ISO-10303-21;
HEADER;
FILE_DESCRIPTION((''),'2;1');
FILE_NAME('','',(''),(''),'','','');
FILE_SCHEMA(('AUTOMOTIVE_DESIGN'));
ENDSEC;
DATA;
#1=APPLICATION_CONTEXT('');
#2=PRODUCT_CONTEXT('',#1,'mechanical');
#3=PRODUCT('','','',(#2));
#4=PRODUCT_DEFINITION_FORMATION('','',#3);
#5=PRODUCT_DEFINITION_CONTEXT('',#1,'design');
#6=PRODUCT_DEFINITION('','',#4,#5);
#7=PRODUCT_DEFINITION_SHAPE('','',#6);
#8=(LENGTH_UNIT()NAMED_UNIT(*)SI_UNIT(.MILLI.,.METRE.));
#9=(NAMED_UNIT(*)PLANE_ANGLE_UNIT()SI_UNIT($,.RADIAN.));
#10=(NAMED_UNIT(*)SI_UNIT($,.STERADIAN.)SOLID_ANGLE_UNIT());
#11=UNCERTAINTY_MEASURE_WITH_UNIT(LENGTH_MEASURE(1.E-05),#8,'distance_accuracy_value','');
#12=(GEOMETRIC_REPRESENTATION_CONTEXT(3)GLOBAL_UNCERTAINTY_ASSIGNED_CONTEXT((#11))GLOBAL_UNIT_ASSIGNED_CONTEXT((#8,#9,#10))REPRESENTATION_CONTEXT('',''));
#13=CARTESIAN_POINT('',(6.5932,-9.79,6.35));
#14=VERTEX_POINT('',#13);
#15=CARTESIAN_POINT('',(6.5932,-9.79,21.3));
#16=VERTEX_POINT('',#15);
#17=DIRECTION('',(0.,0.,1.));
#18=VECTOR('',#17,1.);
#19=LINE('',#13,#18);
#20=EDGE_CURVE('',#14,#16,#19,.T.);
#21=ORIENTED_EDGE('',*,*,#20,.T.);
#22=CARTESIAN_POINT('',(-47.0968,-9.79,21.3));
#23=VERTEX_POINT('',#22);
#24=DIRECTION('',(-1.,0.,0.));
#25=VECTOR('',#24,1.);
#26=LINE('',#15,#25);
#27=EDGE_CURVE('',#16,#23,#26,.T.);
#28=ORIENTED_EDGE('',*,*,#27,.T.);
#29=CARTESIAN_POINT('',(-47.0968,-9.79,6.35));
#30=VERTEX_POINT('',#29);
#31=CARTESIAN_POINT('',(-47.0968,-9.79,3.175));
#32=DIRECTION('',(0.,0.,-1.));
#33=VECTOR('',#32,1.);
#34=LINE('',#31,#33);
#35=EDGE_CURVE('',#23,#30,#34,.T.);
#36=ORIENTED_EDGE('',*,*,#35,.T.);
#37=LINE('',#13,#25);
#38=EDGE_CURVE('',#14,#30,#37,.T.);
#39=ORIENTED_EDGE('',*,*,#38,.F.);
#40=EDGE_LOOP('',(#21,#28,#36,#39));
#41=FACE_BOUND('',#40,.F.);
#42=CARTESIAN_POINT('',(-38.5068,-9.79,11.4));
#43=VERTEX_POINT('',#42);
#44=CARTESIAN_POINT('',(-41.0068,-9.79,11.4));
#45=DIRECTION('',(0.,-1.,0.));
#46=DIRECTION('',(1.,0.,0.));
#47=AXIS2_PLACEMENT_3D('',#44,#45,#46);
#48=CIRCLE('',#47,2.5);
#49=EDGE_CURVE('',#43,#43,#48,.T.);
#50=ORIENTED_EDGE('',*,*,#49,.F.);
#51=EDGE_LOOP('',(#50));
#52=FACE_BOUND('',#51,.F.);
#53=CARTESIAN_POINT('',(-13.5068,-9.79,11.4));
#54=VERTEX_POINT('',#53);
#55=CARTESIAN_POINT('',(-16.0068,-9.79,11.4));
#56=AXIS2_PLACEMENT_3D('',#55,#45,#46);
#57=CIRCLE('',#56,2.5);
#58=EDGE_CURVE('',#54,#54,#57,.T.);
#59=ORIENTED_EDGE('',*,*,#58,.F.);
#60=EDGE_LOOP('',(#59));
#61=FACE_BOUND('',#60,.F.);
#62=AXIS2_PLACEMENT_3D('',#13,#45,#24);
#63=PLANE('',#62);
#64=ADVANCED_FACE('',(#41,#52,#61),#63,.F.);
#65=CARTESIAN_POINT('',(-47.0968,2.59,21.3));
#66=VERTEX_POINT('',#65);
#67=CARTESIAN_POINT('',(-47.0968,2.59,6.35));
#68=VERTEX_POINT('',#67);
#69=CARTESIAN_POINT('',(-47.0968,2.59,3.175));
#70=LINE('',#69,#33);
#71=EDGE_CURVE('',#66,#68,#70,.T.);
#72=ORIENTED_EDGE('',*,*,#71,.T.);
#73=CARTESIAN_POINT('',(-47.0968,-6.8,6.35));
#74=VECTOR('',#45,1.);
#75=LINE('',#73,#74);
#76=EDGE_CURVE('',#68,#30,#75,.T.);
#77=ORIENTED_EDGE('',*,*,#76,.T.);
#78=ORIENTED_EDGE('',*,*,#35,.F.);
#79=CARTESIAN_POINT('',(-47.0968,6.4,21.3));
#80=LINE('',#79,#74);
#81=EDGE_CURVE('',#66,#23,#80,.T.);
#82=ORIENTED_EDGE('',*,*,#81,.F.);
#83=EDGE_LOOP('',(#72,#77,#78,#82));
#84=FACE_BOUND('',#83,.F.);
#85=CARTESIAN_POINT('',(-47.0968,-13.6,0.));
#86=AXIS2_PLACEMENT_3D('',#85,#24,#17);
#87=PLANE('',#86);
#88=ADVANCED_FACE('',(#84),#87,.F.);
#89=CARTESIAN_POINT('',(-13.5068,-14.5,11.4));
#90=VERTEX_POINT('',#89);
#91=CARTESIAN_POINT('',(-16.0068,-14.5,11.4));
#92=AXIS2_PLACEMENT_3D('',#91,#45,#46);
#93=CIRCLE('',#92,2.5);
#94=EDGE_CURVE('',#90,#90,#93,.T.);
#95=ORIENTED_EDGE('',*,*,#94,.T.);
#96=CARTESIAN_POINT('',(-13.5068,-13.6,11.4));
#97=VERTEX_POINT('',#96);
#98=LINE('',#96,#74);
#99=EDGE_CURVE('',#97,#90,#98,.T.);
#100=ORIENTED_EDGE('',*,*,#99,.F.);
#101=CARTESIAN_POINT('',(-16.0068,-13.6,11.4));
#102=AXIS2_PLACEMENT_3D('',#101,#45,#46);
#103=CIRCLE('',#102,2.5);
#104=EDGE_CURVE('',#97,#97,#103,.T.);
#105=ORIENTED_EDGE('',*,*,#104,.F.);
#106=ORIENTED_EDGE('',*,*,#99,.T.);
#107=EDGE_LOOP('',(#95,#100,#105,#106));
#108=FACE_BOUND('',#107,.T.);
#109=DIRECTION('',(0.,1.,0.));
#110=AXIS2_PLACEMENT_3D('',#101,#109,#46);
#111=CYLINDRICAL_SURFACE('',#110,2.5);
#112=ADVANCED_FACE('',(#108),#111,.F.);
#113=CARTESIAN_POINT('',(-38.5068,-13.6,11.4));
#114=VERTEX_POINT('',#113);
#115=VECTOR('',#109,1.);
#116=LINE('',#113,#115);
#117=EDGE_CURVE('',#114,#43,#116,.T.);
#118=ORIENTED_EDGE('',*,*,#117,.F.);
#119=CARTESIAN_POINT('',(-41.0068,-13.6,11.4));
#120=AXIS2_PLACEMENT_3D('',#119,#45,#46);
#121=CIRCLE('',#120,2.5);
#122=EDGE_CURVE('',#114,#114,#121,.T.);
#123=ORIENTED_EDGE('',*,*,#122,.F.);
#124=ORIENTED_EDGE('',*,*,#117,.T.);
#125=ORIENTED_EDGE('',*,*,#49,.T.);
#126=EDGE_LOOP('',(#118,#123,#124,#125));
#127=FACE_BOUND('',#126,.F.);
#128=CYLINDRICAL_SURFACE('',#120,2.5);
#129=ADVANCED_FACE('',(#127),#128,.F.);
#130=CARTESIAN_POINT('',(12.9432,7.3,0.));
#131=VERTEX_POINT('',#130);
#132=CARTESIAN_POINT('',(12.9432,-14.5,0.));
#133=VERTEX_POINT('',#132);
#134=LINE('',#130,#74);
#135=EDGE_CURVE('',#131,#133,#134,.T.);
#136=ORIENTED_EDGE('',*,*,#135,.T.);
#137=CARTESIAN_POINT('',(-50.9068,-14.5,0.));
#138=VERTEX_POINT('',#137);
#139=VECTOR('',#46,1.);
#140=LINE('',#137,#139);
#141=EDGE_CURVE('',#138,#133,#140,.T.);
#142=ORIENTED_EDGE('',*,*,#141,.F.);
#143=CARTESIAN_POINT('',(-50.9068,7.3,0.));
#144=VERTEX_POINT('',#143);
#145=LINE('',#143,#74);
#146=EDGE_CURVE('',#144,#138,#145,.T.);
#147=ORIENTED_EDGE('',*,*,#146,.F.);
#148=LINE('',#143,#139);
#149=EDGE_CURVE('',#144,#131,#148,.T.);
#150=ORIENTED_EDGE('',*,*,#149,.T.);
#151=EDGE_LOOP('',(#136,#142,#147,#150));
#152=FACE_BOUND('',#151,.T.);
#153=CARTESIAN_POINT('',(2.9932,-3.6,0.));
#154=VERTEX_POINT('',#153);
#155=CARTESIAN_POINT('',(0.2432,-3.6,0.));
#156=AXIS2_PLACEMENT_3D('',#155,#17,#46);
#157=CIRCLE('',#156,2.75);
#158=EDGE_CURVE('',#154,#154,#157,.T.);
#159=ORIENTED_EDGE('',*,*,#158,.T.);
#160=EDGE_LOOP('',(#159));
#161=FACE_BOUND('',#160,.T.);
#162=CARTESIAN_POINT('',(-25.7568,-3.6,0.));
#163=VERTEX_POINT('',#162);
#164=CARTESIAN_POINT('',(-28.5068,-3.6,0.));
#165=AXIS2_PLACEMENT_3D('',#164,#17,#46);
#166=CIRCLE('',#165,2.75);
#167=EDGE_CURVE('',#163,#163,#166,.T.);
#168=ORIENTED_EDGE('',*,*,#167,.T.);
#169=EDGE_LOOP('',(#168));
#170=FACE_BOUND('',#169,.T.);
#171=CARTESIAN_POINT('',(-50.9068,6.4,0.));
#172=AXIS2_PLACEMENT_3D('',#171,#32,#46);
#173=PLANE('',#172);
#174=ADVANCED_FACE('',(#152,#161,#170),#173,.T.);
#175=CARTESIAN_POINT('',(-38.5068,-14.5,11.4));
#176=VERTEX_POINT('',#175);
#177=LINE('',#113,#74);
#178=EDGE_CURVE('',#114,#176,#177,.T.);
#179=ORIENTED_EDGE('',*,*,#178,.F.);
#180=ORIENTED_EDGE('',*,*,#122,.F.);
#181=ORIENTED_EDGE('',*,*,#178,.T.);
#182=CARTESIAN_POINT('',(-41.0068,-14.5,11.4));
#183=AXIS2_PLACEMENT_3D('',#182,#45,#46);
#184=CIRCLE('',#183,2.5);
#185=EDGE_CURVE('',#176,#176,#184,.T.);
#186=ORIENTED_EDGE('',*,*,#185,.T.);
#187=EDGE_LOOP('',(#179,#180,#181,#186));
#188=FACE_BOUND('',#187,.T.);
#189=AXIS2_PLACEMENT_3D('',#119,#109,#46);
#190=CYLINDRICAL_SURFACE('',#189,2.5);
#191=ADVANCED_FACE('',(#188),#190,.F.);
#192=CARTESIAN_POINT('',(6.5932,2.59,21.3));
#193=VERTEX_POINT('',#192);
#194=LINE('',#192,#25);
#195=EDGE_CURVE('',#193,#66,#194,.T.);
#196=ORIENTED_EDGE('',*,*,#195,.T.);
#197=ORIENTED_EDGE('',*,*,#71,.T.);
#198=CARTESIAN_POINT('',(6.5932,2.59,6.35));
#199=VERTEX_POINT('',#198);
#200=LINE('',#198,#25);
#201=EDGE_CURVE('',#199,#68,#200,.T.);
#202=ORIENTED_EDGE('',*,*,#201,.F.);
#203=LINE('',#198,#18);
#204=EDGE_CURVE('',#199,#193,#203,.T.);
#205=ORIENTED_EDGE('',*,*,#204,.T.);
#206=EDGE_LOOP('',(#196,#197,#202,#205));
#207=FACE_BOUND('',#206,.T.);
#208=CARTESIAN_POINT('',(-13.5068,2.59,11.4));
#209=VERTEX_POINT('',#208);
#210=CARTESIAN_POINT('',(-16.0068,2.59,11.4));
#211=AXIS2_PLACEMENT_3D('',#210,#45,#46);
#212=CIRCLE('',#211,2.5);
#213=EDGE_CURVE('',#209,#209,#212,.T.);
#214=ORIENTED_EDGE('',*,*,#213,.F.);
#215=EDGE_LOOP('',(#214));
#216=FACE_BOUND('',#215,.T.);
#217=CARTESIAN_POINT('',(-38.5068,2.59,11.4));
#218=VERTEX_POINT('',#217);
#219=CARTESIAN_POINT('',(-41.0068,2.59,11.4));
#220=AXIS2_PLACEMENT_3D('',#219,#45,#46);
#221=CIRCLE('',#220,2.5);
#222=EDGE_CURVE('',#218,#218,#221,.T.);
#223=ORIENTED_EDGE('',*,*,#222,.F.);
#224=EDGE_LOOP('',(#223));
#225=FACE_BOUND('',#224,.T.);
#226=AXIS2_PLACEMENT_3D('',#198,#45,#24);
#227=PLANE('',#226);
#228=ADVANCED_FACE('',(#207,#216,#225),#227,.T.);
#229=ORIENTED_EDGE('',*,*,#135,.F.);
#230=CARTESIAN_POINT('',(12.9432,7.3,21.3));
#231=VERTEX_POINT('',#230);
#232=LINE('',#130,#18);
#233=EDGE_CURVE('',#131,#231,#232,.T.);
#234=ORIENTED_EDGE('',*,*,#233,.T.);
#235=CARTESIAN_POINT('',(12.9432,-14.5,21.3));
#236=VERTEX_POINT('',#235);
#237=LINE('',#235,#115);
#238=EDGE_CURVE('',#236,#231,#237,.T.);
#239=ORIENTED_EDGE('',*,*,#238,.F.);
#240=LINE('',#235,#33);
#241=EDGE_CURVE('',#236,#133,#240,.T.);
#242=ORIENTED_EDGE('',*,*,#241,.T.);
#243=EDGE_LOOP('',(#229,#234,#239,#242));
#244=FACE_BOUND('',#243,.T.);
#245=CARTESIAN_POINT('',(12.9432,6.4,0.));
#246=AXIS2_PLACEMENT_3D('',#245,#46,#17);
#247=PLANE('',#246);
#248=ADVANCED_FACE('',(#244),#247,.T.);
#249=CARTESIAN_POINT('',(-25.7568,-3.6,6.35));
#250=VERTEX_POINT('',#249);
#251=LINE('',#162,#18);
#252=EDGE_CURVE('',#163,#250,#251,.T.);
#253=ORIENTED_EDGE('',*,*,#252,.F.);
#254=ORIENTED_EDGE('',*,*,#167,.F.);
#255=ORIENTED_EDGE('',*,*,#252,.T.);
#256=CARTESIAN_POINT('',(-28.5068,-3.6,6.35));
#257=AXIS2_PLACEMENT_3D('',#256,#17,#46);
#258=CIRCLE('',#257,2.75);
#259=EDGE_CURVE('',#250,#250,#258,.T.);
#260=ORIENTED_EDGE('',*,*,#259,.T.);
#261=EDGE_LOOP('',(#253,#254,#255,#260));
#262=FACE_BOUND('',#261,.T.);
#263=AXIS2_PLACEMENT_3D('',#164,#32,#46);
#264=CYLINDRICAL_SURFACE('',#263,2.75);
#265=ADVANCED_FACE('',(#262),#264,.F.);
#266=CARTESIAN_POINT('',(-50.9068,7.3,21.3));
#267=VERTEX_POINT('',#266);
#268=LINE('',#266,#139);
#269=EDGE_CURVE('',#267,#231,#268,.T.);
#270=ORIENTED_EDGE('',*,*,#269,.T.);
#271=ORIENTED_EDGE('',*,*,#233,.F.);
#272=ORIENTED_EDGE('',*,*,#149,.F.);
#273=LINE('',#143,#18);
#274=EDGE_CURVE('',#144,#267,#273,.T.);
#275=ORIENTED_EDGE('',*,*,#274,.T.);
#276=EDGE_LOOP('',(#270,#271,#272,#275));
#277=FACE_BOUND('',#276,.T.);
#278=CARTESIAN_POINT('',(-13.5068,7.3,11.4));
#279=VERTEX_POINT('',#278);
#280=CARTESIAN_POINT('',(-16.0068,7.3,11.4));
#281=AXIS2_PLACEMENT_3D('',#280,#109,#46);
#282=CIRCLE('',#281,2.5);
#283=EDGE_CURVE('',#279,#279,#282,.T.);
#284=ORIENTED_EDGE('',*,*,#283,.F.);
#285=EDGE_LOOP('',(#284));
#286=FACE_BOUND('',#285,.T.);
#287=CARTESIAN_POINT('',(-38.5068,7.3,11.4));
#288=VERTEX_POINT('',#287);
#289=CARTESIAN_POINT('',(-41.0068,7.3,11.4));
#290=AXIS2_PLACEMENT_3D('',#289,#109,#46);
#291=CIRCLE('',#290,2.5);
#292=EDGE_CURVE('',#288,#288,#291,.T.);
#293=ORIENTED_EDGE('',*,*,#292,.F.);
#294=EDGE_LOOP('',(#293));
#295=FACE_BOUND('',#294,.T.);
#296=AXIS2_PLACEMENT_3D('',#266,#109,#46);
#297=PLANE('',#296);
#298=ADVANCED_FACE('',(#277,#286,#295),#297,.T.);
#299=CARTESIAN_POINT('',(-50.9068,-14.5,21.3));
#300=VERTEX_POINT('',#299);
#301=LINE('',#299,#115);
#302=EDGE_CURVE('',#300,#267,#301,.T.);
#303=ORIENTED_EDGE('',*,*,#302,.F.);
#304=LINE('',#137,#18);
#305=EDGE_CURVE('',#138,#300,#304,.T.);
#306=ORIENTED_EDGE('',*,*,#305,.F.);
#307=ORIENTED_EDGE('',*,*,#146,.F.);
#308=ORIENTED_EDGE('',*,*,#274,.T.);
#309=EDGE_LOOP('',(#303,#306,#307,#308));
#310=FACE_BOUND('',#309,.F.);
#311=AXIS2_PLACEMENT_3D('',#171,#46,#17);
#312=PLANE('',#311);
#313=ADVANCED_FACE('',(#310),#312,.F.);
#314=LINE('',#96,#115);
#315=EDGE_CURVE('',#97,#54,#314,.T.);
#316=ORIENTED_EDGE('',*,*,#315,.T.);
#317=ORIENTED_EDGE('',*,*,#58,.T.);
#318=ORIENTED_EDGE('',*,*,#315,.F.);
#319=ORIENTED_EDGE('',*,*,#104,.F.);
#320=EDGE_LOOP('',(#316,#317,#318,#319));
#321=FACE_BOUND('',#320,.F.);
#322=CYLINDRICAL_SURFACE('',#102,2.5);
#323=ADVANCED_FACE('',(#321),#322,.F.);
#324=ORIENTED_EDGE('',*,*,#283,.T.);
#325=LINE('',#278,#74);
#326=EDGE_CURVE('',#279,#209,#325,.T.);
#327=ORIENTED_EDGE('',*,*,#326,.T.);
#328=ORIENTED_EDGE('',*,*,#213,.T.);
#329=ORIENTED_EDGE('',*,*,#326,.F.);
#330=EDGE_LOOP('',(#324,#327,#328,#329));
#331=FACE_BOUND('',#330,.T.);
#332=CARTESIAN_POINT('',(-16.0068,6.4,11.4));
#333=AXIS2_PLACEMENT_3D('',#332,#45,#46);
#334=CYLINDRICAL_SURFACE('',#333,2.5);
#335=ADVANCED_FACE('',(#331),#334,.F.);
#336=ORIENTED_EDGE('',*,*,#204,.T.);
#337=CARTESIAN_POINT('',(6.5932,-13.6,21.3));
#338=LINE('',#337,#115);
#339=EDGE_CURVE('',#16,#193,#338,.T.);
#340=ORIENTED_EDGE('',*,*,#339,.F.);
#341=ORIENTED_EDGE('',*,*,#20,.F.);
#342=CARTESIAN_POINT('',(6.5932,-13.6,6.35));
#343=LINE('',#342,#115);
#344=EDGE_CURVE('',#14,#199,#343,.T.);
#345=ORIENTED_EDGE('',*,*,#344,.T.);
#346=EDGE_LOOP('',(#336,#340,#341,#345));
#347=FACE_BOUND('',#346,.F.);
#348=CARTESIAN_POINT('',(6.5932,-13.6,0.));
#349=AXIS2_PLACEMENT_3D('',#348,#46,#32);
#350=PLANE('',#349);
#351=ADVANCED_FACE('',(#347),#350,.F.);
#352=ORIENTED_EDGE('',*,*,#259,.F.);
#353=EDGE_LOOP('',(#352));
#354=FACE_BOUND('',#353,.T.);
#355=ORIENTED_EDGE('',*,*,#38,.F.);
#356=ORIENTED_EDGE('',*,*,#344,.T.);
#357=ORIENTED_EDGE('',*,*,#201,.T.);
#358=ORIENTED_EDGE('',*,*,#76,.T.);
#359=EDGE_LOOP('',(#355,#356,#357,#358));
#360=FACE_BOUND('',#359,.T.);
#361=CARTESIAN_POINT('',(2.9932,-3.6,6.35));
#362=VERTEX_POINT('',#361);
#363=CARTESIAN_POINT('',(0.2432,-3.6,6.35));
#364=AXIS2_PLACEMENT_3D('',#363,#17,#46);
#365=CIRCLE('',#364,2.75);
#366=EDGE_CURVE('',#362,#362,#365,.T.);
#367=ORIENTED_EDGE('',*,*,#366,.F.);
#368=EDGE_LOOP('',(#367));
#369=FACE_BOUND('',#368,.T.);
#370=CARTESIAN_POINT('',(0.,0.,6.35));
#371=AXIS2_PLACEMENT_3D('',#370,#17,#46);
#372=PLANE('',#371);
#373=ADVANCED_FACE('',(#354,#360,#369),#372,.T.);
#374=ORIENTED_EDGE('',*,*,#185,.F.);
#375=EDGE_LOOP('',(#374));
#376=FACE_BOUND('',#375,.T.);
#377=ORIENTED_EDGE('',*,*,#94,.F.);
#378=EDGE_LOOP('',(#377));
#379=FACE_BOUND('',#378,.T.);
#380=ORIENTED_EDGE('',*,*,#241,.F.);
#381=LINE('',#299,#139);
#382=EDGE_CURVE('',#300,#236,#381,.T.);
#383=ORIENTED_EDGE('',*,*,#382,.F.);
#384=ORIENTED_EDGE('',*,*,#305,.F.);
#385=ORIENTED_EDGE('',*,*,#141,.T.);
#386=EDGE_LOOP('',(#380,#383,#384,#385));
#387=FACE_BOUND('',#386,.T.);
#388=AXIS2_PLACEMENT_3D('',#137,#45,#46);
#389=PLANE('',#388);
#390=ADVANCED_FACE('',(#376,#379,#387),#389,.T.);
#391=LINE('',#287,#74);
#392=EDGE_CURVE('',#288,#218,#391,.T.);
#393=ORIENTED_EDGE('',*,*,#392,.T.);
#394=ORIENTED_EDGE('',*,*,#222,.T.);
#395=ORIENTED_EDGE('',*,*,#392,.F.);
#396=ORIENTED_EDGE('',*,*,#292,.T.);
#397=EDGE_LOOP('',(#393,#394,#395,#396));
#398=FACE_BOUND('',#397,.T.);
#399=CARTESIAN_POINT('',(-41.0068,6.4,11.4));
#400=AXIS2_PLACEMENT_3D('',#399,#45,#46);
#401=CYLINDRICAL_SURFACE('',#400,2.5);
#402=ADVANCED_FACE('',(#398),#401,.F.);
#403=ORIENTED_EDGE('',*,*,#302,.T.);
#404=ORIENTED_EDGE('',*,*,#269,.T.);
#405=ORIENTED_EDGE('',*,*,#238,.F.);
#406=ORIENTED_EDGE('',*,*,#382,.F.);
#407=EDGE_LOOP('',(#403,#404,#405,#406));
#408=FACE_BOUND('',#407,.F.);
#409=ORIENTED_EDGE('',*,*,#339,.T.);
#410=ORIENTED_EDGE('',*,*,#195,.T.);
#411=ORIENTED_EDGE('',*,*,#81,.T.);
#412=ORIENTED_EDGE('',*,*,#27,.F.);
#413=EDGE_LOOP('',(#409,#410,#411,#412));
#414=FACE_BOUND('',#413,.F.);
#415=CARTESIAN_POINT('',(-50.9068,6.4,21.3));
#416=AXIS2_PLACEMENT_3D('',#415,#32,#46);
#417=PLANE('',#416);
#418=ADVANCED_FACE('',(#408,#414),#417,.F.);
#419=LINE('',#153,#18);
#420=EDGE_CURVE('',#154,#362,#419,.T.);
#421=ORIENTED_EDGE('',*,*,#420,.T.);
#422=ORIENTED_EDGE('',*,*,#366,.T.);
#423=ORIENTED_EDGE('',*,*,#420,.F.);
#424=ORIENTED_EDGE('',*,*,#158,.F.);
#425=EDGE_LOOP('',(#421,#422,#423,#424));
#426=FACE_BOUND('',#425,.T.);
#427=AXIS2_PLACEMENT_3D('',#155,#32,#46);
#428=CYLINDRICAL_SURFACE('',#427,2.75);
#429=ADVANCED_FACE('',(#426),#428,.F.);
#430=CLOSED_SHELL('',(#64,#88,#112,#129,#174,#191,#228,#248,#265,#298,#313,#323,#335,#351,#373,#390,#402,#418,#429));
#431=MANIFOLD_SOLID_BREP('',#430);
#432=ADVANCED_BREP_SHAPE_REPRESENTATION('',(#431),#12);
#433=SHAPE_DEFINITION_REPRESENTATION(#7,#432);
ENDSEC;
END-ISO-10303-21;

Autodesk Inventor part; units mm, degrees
ref_plane "YZ Plane" through (0, 0, 0) normal (1, 0, 0) x (0, 1, 0)
ref_plane "XZ Plane" through (0, 0, 0) normal (0, 1, 0) x (-1, 0, 0)
sketch "Sketch1" plane through (0, 0, 0) normal (0, 0, 1) x (1, 0, 0)
  line L0 (0, -12.35) -> (-250, -12.35) projected
  line L1 (0, -12.35) -> (0, -7.2) projected
  line L2 (0, -7.2) -> (-250, -7.2) projected
  line L3 (-250, -12.35) -> (-250, -7.2) projected
  line L4 (-250, 5.15) -> (0, 5.15) projected
  line L5 (-250, 0) -> (-250, 5.15) projected
  line L6 (0, 0) -> (-250, 0) projected
  line L7 (0, 0) -> (0, 5.15) projected
  line L8 (0, 6.4) -> (-250, 6.4) projected
  line L9 (-250, -13.6) -> (0, -13.6) projected
  line L10 (-159.051, -15.85) -> (90.949, -15.85) projected
  line L11 (-159.051, -21) -> (-159.051, -15.85) projected
  line L12 (90.949, -21) -> (-159.051, -21) projected
  line L13 (90.949, -21) -> (90.949, -15.85) projected
  line L14 (90.949, 8.65) -> (-159.051, 8.65) projected
  line L15 (90.949, 13.8) -> (90.949, 8.65) projected
  line L16 (-159.051, 13.8) -> (90.949, 13.8) projected
  line L17 (-159.051, 13.8) -> (-159.051, 8.65) projected
  line L18 (-159.051, 7.4) -> (90.949, 7.4) projected
  line L19 (90.949, -14.6) -> (-159.051, -14.6) projected
  line L20 (-159.051, -34.6) -> (90.949, -34.6) projected
  line L21 (90.949, 27.4) -> (-159.051, 27.4) projected
  line L22 (-50.9068, -42.05) -> (-6.1068, -42.05) projected
  line L23 (-6.1068, -42.05) -> (-6.1068, -35.7) projected
  line L24 (-50.9068, -35.7) -> (-6.1068, -35.7) projected
  line L25 (-50.9068, -42.05) -> (-50.9068, -35.7) projected
  line L26 (-50.9068, 28.5) -> (-6.1068, 28.5) projected
  line L27 (-6.1068, 28.5) -> (-6.1068, 34.85) projected
  line L28 (-50.9068, 34.85) -> (-6.1068, 34.85) projected
  line L29 (-50.9068, 28.5) -> (-50.9068, 34.85) projected
  line L30 (-50.9068, -42.05) -> (-50.9068, 34.85) construction
  line L31 (-6.1068, -42.05) -> (-6.1068, 34.85) construction
  line L32 (-50.9068, -13.6) -> (-6.1068, -13.6)
  line L33 (-6.1068, 6.4) -> (-50.9068, 6.4)
  line L34 (-50.9068, 6.4) -> (-50.9068, -13.6)
  line L35 (-6.1068, -13.6) -> (6.5932, -13.6)
  line L36 (6.5932, -13.6) -> (6.5932, 6.4)
  line L37 (6.5932, 6.4) -> (-6.1068, 6.4)
  line L38 (-28.5068, -35.7) -> (-28.5068, 28.5) construction
  line L39 (6.5932, -13.6) -> (-6.1068, 6.4) construction
  circle A0 centre (0.2432, -3.6) radius 2.75
  circle A1 centre (-28.5068, -3.6) radius 2.75
  line L40 (6.5932, 6.4) -> (-50.9068, 6.4)
  line L41 (-50.9068, 6.4) -> (-50.9068, -13.6)
  line L42 (-50.9068, -13.6) -> (6.5932, -13.6)
  line L43 (6.5932, -13.6) -> (6.5932, 6.4)
  dimension "d0" = 12.7
  dimension "d1" = 5.5
extrude "Extrusion1" add sketch "Sketch1" along normal blind 6.35 contours L1 L2 L34 L6 L7 L4 L8 L37 L36 L35 L9 L0 | L0 L34 L2 L1 | L34 L4 L7 L6
sketch "Sketch2" plane through (0, 0, 6.35) normal (0, 0, 1) x (1, 0, 0)
  line L0 (-50.9068, -13.6) -> (6.5932, -13.6) projected
  line L1 (6.5932, -13.6) -> (6.5932, 6.4) projected
  line L2 (-50.9068, -13.6) -> (6.5932, -13.6)
  line L3 (6.5932, -13.6) -> (6.5932, -9.79)
  line L4 (6.5932, -9.79) -> (-50.9068, -9.79)
  line L5 (-50.9068, -9.79) -> (-50.9068, -13.6)
  line L6 (6.5932, 6.4) -> (-50.9068, 6.4) projected
  line L7 (-50.9068, 6.4) -> (6.5932, 6.4)
  line L8 (6.5932, 6.4) -> (6.5932, 2.59)
  line L9 (6.5932, 2.59) -> (-50.9068, 2.59)
  line L10 (-50.9068, 2.59) -> (-50.9068, 6.4)
  point P0 (0, 0)
  dimension "d4" = 3.81
ref_plane "Work Plane1" through (-50.9068, 28.5, 21.3) normal (0, 0, 1) x (1, 0, 0)
extrude "Extrusion2" add sketch "Sketch2" along normal up to surface (14.95 mm away)
sketch "Sketch3" plane through (6.5932, -13.6, 0) normal (1, 0, 0) x (0, 0, -1)
  line L0 (-21.3, 16.19) -> (-21.3, 20) projected
  line L1 (0, 0) -> (-21.3, 0)
  line L2 (-21.3, 0) -> (-21.3, 20)
  line L3 (-21.3, 20) -> (0, 20)
  line L4 (0, 20) -> (0, 0)
  point P0 (0, 13.6)
extrude "Extrusion3" add sketch "Sketch3" along normal blind 6.35
sketch "Sketch5" plane through (-50.9068, -13.6, 0) normal (-1, 0, 0) x (0, 0, 1)
  line L0 (21.3, 0) -> (0, 0) projected
  line L1 (21.3, 20) -> (21.3, 0) projected
  line L2 (0, 0) -> (21.3, 0)
  line L3 (21.3, 0) -> (21.3, 20)
  line L4 (21.3, 20) -> (0, 20)
  line L5 (0, 20) -> (0, 0)
  point P0 (0, 13.6)
extrude "Extrusion4" add sketch "Sketch5" against normal blind 3.81
sketch "Sketch6" plane through (-50.9068, -13.6, 0) normal (0, -1, 0) x (1, 0, 0)
  circle A0 centre (9.9, 11.4) radius 2.5 projected
  circle A1 centre (34.9, 11.4) radius 2.5 projected
  point P0 (50.9068, 0)
extrude "Extrusion5" cut sketch "Sketch6" against normal through all
sketch "Sketch7" plane through (-50.9068, -13.6, 0) normal (0, -1, 0) x (1, 0, 0)
  circle A0 centre (9.9, 11.4) radius 2.5 projected
  circle A1 centre (34.9, 11.4) radius 2.5 projected
  line L0 (0, 0) -> (63.85, 0) projected
  line L1 (63.85, 21.3) -> (63.85, 0) projected
  line L2 (0, 21.3) -> (63.85, 21.3) projected
  line L3 (0, 0) -> (0, 21.3) projected
  point P0 (50.9068, 0)
extrude "Extrusion6" add sketch "Sketch7" along normal blind 0.9
sketch "Sketch8" plane through (-50.9068, 6.4, 21.3) normal (0, 1, 0) x (1, 0, 0)
  circle A0 centre (9.9, 9.9) radius 2.5 projected
  circle A1 centre (34.9, 9.9) radius 2.5 projected
  line L0 (0, 0) -> (63.85, 0) projected
  line L1 (63.85, 21.3) -> (63.85, 0) projected
  line L2 (0, 21.3) -> (63.85, 21.3) projected
  line L3 (0, 21.3) -> (0, 0) projected
  point P0 (50.9068, 21.3)
extrude "Extrusion7" add sketch "Sketch8" along normal blind 0.9
sketch "Sketch9" plane through (-50.9068, 7.3, 21.3) normal (0, 1, 0) x (1, 0, 0)
  point P0 (50.9068, 21.3)
properties part number "rollerHolderInnerZ"
